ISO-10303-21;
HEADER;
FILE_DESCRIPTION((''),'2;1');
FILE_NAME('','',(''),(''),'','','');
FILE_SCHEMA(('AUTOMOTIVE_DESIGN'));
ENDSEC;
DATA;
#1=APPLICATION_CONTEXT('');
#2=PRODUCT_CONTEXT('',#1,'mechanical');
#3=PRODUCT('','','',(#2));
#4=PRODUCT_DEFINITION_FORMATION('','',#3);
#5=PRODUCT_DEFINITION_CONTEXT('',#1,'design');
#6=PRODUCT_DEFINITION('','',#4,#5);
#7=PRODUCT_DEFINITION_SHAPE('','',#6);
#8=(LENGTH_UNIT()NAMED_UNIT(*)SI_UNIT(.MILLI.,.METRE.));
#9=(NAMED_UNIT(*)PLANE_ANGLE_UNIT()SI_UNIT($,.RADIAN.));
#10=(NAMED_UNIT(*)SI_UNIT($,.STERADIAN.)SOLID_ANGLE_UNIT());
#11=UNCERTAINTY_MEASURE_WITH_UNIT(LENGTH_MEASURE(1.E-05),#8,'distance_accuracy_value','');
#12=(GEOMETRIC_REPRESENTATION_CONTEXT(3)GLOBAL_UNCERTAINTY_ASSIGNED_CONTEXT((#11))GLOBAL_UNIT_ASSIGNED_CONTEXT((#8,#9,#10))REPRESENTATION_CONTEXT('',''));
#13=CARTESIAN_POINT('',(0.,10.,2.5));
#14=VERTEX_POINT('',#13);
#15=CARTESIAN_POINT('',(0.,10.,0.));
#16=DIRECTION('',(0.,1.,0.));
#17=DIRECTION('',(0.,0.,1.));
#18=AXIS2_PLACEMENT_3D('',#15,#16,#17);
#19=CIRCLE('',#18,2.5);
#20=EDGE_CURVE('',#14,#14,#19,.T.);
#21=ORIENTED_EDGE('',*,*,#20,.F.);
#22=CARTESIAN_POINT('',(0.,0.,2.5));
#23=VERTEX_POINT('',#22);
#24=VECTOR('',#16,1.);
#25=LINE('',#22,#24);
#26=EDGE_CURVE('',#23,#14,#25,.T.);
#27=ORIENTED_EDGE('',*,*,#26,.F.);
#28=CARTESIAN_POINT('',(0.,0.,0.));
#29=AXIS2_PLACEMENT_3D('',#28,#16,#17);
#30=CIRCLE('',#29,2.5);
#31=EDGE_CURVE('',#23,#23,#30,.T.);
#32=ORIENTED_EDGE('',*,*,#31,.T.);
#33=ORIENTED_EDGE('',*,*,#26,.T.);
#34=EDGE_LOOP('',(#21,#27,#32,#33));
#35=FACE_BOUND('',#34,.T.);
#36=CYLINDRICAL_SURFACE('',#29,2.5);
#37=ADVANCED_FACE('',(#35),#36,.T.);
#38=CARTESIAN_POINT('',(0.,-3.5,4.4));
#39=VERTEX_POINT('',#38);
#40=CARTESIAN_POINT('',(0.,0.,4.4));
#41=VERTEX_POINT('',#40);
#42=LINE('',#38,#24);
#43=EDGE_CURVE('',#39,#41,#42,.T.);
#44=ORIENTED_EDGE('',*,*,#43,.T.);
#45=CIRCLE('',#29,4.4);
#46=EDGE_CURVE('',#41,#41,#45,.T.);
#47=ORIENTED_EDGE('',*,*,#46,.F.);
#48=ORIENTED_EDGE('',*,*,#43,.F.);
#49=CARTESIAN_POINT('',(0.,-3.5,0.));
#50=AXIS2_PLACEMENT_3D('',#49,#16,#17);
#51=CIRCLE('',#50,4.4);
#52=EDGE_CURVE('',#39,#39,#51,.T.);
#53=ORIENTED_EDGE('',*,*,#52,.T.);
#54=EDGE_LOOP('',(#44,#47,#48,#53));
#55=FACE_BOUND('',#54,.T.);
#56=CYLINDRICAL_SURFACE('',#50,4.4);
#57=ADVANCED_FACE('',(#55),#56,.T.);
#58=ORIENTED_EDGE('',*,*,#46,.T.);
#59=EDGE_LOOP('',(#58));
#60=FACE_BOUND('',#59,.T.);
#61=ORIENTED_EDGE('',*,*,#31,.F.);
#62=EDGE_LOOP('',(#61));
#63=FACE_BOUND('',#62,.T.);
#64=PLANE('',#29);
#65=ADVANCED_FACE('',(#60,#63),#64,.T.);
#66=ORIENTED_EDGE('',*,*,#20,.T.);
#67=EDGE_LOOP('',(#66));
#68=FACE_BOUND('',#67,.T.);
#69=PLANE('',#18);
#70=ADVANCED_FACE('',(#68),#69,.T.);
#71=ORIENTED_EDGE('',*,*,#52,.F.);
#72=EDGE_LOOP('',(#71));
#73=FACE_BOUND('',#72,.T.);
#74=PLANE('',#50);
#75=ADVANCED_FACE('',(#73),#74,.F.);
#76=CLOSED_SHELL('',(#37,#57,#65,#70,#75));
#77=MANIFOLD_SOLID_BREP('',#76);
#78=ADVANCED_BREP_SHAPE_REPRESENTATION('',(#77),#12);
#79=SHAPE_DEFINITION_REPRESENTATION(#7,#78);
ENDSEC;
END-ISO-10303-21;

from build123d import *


with BuildPart() as part:
    # Sketch → Revolution (revolve)
    with BuildSketch(Plane.YZ):
        Polygon((-3.5, 0), (-3.5, 4.4), (0, 4.4), (0, 2.5), (10, 2.5), (10, 0), align=None)
    revolve(axis=Axis((0, 0, 0), (0, 1, 0)))


solid = part.part
